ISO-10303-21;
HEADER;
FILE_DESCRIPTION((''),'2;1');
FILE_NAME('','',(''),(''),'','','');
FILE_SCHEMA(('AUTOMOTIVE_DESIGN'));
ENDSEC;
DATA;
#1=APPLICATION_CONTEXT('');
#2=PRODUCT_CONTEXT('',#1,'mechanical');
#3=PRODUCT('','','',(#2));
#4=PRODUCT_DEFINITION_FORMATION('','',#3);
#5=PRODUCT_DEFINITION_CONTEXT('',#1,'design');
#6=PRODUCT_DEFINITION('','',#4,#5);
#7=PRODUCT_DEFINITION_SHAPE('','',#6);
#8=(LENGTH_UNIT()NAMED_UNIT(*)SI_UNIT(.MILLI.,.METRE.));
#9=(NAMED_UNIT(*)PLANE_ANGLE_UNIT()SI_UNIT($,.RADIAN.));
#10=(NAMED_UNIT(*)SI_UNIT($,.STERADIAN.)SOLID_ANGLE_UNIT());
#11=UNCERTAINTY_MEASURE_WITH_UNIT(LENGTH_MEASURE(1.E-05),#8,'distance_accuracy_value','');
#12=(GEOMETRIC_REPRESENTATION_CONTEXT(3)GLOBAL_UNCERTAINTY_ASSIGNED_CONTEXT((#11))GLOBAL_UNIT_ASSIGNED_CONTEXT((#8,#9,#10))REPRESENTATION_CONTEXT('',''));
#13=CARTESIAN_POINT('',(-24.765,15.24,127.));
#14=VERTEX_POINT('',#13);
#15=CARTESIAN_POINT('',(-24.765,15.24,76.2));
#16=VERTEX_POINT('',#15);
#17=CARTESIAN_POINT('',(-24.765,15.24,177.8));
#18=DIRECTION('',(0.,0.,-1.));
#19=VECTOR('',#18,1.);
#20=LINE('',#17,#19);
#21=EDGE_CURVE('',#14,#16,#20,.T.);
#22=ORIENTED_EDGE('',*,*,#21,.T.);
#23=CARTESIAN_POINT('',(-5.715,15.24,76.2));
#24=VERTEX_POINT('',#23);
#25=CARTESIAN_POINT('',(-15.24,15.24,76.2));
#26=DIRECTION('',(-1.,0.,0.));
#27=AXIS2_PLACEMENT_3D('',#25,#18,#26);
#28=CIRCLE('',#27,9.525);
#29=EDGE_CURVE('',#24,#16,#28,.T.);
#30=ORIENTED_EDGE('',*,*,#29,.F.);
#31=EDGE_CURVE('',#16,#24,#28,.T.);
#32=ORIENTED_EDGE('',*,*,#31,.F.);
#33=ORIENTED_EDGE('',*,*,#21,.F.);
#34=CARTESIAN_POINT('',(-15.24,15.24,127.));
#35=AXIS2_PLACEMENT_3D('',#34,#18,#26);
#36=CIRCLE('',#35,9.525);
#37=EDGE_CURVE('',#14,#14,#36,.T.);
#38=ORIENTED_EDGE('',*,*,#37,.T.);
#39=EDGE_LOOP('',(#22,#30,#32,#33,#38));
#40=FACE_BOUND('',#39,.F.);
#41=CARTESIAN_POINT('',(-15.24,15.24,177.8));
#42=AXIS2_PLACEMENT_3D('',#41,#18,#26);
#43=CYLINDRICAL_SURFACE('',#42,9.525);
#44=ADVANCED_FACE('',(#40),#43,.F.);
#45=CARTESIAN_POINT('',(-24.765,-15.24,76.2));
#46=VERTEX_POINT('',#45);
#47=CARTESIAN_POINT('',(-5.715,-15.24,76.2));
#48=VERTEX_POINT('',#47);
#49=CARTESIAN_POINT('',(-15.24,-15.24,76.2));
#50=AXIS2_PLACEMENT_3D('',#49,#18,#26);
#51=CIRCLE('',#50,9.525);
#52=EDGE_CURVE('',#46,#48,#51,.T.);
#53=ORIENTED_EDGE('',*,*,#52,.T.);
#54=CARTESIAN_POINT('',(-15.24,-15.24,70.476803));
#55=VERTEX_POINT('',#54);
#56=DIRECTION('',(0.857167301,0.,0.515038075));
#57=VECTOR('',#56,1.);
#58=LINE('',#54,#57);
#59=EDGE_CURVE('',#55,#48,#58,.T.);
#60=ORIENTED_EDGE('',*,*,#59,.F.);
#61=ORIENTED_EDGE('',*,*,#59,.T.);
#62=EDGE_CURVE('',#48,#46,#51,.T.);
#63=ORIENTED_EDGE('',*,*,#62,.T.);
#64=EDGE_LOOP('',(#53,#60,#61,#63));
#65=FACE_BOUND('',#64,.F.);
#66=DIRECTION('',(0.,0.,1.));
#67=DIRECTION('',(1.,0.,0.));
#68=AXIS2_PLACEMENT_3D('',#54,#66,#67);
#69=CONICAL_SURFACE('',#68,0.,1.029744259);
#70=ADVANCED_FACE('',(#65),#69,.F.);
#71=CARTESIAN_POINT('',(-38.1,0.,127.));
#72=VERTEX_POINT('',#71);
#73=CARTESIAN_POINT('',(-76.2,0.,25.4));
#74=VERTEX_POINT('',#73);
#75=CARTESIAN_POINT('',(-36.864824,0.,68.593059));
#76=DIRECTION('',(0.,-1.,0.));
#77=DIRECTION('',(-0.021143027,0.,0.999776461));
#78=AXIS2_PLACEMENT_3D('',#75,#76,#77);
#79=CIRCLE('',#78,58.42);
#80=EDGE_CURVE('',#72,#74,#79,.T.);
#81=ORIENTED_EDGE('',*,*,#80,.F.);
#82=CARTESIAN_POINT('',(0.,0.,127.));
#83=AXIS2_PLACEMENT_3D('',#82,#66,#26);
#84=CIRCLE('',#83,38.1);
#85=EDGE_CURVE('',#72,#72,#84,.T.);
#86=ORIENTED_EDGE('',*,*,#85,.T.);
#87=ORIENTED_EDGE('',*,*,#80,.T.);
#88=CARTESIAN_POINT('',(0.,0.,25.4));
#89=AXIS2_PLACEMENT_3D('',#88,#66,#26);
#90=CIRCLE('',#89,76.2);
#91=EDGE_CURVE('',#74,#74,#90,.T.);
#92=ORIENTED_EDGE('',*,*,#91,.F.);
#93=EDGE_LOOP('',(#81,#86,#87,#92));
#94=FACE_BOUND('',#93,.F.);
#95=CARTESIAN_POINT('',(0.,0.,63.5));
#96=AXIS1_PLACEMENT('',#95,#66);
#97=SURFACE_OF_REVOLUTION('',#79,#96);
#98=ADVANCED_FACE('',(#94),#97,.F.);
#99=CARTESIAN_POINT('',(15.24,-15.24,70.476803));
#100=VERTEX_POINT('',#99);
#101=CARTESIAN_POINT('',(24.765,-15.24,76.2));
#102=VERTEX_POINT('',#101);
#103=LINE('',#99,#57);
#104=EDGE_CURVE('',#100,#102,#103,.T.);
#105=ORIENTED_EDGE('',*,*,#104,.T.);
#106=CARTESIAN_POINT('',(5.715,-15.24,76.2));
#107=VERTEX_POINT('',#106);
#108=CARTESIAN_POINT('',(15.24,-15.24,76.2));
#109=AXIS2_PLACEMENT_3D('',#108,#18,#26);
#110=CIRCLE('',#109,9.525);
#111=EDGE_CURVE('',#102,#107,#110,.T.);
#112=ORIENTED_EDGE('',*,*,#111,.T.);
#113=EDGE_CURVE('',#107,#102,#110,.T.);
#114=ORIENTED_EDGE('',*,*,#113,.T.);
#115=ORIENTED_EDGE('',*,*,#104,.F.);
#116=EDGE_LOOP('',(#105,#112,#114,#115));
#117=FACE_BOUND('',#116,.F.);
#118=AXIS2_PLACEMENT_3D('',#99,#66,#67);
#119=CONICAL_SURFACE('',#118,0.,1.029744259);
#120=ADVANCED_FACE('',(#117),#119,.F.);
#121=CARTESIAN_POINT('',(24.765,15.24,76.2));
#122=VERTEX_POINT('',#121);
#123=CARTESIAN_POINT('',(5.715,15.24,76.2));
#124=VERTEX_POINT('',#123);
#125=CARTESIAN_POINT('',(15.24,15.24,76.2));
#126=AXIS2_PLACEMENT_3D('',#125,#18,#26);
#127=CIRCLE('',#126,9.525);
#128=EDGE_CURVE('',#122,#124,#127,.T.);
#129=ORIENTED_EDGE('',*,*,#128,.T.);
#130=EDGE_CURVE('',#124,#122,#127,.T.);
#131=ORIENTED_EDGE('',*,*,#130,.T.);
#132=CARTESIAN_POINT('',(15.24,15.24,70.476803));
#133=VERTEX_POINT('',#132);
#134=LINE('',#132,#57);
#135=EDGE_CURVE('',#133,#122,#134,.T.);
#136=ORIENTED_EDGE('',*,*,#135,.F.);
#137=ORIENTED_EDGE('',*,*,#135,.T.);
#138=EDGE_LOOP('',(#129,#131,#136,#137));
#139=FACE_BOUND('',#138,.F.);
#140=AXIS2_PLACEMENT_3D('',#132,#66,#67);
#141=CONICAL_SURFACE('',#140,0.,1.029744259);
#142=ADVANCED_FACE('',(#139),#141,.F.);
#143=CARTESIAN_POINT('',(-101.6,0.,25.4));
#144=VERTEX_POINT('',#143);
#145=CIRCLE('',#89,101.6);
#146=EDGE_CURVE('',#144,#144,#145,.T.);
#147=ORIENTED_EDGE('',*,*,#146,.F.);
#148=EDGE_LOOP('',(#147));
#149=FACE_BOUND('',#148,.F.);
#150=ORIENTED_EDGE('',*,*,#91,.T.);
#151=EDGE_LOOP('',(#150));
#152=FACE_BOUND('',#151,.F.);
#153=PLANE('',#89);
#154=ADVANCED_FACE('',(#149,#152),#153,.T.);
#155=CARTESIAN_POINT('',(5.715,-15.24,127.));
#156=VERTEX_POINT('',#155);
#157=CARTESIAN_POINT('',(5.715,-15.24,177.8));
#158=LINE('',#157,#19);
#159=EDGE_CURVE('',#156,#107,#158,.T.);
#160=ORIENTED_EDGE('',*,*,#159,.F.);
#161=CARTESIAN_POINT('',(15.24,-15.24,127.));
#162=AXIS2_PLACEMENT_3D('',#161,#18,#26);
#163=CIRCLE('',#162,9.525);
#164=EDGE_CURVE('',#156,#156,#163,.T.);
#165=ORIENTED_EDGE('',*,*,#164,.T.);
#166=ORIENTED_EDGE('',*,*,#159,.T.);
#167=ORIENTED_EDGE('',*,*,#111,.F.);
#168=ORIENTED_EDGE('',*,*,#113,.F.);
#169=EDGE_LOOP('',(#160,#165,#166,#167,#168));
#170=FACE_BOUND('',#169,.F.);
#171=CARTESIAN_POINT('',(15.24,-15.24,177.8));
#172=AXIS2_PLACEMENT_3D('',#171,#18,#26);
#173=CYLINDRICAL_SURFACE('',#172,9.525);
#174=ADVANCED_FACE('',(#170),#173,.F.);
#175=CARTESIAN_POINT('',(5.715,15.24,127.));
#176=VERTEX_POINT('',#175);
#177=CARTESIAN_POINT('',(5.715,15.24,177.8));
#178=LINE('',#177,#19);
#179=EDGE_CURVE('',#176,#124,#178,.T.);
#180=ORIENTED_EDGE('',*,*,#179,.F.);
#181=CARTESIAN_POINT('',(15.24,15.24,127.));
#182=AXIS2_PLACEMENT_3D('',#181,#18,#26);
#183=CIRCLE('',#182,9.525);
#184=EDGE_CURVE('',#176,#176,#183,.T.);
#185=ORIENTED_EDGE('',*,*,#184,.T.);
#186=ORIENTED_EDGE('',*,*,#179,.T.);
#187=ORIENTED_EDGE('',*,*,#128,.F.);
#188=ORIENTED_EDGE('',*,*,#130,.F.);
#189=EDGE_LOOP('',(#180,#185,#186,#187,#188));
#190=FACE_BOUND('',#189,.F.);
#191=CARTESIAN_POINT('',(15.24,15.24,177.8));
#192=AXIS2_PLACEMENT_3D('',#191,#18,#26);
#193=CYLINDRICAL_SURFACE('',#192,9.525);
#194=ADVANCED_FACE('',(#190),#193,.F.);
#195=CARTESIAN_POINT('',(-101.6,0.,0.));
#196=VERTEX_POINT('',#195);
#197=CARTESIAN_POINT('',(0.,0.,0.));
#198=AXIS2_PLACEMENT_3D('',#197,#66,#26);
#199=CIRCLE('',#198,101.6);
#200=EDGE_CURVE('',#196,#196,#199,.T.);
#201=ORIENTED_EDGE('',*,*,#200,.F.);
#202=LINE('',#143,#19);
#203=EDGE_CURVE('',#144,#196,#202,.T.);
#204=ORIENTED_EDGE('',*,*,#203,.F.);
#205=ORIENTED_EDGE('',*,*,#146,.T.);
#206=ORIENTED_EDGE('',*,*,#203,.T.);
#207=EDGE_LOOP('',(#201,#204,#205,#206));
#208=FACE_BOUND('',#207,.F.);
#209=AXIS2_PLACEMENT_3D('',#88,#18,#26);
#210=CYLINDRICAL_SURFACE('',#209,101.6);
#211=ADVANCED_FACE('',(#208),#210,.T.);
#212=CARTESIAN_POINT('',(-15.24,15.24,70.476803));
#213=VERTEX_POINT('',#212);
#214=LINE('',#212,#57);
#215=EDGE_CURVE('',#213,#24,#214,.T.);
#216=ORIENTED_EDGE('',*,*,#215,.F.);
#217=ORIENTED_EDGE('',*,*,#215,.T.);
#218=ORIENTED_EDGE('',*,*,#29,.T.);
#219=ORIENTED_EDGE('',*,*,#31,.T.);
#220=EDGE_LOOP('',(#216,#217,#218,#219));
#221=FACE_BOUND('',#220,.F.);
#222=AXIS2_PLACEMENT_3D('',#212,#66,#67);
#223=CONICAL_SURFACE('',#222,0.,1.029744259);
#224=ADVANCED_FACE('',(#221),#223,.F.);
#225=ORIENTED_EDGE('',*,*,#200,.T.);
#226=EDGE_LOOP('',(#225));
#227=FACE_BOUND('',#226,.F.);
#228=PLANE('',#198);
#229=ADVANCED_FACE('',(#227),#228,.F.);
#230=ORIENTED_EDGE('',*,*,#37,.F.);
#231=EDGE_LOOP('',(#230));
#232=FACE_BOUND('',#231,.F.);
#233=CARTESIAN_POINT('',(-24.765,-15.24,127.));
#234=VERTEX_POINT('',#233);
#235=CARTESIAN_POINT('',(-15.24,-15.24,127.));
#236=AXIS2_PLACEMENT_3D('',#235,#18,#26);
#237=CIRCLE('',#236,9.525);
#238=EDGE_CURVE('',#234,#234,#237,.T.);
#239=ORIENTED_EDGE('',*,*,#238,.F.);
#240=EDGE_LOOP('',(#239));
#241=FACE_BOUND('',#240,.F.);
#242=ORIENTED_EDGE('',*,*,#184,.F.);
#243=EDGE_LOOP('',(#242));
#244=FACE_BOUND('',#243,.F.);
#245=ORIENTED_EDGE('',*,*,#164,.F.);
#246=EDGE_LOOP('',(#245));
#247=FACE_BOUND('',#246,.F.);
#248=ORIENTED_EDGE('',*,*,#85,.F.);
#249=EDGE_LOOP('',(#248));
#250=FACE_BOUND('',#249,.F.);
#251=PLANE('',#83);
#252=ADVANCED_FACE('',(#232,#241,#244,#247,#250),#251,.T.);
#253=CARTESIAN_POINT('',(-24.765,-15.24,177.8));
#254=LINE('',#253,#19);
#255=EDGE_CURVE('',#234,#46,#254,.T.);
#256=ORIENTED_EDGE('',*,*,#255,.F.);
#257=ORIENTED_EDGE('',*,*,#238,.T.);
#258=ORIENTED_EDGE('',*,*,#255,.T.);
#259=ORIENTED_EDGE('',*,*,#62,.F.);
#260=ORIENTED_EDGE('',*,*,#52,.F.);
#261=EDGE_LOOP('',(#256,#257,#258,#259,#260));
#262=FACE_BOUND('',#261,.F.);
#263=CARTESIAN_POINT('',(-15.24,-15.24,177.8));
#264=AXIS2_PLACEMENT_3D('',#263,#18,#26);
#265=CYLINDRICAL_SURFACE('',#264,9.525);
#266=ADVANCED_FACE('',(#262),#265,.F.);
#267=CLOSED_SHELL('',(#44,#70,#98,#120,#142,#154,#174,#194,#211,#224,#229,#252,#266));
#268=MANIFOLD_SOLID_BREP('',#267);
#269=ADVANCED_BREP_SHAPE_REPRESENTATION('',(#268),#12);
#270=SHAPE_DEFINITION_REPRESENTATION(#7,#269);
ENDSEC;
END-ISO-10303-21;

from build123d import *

# Parameters (mm, degrees)
F3_D     = 19.05
F3_DEPTH = 50.8
F3_TIP   = 5.7231973962


with BuildPart() as f1:
    # F0 (on Front) → F1 (revolve)
    with BuildSketch(Plane.XZ):
        with BuildLine():
            Line((-101.6, 0), (0, 0))
            Line((0, 0), (0, 127))
            Line((0, 127), (-38.1, 127))
            ThreePointArc((-38.1, 127), (-91.5651749151, 89.1056905932), (-76.2, 25.4))
            Line((-76.2, 25.4), (-101.6, 25.4))
            Line((-101.6, 25.4), (-101.6, 0))
        make_face()
    revolve(axis=Axis((0, 0, 63.5), (0, 0, 1)))

    # F3
    with Locations(Plane.XY.offset(127)):
        with Locations((-15.24, 15.24), (15.24, 15.24), (15.24, -15.24), (-15.24, -15.24)):
            Hole(F3_D / 2, depth=F3_DEPTH)
            with Locations((0, 0, -(F3_DEPTH + F3_TIP / 2))):  # 118° drill point
                Cone(0, F3_D / 2, F3_TIP, mode=Mode.SUBTRACT)


solid = f1.part
